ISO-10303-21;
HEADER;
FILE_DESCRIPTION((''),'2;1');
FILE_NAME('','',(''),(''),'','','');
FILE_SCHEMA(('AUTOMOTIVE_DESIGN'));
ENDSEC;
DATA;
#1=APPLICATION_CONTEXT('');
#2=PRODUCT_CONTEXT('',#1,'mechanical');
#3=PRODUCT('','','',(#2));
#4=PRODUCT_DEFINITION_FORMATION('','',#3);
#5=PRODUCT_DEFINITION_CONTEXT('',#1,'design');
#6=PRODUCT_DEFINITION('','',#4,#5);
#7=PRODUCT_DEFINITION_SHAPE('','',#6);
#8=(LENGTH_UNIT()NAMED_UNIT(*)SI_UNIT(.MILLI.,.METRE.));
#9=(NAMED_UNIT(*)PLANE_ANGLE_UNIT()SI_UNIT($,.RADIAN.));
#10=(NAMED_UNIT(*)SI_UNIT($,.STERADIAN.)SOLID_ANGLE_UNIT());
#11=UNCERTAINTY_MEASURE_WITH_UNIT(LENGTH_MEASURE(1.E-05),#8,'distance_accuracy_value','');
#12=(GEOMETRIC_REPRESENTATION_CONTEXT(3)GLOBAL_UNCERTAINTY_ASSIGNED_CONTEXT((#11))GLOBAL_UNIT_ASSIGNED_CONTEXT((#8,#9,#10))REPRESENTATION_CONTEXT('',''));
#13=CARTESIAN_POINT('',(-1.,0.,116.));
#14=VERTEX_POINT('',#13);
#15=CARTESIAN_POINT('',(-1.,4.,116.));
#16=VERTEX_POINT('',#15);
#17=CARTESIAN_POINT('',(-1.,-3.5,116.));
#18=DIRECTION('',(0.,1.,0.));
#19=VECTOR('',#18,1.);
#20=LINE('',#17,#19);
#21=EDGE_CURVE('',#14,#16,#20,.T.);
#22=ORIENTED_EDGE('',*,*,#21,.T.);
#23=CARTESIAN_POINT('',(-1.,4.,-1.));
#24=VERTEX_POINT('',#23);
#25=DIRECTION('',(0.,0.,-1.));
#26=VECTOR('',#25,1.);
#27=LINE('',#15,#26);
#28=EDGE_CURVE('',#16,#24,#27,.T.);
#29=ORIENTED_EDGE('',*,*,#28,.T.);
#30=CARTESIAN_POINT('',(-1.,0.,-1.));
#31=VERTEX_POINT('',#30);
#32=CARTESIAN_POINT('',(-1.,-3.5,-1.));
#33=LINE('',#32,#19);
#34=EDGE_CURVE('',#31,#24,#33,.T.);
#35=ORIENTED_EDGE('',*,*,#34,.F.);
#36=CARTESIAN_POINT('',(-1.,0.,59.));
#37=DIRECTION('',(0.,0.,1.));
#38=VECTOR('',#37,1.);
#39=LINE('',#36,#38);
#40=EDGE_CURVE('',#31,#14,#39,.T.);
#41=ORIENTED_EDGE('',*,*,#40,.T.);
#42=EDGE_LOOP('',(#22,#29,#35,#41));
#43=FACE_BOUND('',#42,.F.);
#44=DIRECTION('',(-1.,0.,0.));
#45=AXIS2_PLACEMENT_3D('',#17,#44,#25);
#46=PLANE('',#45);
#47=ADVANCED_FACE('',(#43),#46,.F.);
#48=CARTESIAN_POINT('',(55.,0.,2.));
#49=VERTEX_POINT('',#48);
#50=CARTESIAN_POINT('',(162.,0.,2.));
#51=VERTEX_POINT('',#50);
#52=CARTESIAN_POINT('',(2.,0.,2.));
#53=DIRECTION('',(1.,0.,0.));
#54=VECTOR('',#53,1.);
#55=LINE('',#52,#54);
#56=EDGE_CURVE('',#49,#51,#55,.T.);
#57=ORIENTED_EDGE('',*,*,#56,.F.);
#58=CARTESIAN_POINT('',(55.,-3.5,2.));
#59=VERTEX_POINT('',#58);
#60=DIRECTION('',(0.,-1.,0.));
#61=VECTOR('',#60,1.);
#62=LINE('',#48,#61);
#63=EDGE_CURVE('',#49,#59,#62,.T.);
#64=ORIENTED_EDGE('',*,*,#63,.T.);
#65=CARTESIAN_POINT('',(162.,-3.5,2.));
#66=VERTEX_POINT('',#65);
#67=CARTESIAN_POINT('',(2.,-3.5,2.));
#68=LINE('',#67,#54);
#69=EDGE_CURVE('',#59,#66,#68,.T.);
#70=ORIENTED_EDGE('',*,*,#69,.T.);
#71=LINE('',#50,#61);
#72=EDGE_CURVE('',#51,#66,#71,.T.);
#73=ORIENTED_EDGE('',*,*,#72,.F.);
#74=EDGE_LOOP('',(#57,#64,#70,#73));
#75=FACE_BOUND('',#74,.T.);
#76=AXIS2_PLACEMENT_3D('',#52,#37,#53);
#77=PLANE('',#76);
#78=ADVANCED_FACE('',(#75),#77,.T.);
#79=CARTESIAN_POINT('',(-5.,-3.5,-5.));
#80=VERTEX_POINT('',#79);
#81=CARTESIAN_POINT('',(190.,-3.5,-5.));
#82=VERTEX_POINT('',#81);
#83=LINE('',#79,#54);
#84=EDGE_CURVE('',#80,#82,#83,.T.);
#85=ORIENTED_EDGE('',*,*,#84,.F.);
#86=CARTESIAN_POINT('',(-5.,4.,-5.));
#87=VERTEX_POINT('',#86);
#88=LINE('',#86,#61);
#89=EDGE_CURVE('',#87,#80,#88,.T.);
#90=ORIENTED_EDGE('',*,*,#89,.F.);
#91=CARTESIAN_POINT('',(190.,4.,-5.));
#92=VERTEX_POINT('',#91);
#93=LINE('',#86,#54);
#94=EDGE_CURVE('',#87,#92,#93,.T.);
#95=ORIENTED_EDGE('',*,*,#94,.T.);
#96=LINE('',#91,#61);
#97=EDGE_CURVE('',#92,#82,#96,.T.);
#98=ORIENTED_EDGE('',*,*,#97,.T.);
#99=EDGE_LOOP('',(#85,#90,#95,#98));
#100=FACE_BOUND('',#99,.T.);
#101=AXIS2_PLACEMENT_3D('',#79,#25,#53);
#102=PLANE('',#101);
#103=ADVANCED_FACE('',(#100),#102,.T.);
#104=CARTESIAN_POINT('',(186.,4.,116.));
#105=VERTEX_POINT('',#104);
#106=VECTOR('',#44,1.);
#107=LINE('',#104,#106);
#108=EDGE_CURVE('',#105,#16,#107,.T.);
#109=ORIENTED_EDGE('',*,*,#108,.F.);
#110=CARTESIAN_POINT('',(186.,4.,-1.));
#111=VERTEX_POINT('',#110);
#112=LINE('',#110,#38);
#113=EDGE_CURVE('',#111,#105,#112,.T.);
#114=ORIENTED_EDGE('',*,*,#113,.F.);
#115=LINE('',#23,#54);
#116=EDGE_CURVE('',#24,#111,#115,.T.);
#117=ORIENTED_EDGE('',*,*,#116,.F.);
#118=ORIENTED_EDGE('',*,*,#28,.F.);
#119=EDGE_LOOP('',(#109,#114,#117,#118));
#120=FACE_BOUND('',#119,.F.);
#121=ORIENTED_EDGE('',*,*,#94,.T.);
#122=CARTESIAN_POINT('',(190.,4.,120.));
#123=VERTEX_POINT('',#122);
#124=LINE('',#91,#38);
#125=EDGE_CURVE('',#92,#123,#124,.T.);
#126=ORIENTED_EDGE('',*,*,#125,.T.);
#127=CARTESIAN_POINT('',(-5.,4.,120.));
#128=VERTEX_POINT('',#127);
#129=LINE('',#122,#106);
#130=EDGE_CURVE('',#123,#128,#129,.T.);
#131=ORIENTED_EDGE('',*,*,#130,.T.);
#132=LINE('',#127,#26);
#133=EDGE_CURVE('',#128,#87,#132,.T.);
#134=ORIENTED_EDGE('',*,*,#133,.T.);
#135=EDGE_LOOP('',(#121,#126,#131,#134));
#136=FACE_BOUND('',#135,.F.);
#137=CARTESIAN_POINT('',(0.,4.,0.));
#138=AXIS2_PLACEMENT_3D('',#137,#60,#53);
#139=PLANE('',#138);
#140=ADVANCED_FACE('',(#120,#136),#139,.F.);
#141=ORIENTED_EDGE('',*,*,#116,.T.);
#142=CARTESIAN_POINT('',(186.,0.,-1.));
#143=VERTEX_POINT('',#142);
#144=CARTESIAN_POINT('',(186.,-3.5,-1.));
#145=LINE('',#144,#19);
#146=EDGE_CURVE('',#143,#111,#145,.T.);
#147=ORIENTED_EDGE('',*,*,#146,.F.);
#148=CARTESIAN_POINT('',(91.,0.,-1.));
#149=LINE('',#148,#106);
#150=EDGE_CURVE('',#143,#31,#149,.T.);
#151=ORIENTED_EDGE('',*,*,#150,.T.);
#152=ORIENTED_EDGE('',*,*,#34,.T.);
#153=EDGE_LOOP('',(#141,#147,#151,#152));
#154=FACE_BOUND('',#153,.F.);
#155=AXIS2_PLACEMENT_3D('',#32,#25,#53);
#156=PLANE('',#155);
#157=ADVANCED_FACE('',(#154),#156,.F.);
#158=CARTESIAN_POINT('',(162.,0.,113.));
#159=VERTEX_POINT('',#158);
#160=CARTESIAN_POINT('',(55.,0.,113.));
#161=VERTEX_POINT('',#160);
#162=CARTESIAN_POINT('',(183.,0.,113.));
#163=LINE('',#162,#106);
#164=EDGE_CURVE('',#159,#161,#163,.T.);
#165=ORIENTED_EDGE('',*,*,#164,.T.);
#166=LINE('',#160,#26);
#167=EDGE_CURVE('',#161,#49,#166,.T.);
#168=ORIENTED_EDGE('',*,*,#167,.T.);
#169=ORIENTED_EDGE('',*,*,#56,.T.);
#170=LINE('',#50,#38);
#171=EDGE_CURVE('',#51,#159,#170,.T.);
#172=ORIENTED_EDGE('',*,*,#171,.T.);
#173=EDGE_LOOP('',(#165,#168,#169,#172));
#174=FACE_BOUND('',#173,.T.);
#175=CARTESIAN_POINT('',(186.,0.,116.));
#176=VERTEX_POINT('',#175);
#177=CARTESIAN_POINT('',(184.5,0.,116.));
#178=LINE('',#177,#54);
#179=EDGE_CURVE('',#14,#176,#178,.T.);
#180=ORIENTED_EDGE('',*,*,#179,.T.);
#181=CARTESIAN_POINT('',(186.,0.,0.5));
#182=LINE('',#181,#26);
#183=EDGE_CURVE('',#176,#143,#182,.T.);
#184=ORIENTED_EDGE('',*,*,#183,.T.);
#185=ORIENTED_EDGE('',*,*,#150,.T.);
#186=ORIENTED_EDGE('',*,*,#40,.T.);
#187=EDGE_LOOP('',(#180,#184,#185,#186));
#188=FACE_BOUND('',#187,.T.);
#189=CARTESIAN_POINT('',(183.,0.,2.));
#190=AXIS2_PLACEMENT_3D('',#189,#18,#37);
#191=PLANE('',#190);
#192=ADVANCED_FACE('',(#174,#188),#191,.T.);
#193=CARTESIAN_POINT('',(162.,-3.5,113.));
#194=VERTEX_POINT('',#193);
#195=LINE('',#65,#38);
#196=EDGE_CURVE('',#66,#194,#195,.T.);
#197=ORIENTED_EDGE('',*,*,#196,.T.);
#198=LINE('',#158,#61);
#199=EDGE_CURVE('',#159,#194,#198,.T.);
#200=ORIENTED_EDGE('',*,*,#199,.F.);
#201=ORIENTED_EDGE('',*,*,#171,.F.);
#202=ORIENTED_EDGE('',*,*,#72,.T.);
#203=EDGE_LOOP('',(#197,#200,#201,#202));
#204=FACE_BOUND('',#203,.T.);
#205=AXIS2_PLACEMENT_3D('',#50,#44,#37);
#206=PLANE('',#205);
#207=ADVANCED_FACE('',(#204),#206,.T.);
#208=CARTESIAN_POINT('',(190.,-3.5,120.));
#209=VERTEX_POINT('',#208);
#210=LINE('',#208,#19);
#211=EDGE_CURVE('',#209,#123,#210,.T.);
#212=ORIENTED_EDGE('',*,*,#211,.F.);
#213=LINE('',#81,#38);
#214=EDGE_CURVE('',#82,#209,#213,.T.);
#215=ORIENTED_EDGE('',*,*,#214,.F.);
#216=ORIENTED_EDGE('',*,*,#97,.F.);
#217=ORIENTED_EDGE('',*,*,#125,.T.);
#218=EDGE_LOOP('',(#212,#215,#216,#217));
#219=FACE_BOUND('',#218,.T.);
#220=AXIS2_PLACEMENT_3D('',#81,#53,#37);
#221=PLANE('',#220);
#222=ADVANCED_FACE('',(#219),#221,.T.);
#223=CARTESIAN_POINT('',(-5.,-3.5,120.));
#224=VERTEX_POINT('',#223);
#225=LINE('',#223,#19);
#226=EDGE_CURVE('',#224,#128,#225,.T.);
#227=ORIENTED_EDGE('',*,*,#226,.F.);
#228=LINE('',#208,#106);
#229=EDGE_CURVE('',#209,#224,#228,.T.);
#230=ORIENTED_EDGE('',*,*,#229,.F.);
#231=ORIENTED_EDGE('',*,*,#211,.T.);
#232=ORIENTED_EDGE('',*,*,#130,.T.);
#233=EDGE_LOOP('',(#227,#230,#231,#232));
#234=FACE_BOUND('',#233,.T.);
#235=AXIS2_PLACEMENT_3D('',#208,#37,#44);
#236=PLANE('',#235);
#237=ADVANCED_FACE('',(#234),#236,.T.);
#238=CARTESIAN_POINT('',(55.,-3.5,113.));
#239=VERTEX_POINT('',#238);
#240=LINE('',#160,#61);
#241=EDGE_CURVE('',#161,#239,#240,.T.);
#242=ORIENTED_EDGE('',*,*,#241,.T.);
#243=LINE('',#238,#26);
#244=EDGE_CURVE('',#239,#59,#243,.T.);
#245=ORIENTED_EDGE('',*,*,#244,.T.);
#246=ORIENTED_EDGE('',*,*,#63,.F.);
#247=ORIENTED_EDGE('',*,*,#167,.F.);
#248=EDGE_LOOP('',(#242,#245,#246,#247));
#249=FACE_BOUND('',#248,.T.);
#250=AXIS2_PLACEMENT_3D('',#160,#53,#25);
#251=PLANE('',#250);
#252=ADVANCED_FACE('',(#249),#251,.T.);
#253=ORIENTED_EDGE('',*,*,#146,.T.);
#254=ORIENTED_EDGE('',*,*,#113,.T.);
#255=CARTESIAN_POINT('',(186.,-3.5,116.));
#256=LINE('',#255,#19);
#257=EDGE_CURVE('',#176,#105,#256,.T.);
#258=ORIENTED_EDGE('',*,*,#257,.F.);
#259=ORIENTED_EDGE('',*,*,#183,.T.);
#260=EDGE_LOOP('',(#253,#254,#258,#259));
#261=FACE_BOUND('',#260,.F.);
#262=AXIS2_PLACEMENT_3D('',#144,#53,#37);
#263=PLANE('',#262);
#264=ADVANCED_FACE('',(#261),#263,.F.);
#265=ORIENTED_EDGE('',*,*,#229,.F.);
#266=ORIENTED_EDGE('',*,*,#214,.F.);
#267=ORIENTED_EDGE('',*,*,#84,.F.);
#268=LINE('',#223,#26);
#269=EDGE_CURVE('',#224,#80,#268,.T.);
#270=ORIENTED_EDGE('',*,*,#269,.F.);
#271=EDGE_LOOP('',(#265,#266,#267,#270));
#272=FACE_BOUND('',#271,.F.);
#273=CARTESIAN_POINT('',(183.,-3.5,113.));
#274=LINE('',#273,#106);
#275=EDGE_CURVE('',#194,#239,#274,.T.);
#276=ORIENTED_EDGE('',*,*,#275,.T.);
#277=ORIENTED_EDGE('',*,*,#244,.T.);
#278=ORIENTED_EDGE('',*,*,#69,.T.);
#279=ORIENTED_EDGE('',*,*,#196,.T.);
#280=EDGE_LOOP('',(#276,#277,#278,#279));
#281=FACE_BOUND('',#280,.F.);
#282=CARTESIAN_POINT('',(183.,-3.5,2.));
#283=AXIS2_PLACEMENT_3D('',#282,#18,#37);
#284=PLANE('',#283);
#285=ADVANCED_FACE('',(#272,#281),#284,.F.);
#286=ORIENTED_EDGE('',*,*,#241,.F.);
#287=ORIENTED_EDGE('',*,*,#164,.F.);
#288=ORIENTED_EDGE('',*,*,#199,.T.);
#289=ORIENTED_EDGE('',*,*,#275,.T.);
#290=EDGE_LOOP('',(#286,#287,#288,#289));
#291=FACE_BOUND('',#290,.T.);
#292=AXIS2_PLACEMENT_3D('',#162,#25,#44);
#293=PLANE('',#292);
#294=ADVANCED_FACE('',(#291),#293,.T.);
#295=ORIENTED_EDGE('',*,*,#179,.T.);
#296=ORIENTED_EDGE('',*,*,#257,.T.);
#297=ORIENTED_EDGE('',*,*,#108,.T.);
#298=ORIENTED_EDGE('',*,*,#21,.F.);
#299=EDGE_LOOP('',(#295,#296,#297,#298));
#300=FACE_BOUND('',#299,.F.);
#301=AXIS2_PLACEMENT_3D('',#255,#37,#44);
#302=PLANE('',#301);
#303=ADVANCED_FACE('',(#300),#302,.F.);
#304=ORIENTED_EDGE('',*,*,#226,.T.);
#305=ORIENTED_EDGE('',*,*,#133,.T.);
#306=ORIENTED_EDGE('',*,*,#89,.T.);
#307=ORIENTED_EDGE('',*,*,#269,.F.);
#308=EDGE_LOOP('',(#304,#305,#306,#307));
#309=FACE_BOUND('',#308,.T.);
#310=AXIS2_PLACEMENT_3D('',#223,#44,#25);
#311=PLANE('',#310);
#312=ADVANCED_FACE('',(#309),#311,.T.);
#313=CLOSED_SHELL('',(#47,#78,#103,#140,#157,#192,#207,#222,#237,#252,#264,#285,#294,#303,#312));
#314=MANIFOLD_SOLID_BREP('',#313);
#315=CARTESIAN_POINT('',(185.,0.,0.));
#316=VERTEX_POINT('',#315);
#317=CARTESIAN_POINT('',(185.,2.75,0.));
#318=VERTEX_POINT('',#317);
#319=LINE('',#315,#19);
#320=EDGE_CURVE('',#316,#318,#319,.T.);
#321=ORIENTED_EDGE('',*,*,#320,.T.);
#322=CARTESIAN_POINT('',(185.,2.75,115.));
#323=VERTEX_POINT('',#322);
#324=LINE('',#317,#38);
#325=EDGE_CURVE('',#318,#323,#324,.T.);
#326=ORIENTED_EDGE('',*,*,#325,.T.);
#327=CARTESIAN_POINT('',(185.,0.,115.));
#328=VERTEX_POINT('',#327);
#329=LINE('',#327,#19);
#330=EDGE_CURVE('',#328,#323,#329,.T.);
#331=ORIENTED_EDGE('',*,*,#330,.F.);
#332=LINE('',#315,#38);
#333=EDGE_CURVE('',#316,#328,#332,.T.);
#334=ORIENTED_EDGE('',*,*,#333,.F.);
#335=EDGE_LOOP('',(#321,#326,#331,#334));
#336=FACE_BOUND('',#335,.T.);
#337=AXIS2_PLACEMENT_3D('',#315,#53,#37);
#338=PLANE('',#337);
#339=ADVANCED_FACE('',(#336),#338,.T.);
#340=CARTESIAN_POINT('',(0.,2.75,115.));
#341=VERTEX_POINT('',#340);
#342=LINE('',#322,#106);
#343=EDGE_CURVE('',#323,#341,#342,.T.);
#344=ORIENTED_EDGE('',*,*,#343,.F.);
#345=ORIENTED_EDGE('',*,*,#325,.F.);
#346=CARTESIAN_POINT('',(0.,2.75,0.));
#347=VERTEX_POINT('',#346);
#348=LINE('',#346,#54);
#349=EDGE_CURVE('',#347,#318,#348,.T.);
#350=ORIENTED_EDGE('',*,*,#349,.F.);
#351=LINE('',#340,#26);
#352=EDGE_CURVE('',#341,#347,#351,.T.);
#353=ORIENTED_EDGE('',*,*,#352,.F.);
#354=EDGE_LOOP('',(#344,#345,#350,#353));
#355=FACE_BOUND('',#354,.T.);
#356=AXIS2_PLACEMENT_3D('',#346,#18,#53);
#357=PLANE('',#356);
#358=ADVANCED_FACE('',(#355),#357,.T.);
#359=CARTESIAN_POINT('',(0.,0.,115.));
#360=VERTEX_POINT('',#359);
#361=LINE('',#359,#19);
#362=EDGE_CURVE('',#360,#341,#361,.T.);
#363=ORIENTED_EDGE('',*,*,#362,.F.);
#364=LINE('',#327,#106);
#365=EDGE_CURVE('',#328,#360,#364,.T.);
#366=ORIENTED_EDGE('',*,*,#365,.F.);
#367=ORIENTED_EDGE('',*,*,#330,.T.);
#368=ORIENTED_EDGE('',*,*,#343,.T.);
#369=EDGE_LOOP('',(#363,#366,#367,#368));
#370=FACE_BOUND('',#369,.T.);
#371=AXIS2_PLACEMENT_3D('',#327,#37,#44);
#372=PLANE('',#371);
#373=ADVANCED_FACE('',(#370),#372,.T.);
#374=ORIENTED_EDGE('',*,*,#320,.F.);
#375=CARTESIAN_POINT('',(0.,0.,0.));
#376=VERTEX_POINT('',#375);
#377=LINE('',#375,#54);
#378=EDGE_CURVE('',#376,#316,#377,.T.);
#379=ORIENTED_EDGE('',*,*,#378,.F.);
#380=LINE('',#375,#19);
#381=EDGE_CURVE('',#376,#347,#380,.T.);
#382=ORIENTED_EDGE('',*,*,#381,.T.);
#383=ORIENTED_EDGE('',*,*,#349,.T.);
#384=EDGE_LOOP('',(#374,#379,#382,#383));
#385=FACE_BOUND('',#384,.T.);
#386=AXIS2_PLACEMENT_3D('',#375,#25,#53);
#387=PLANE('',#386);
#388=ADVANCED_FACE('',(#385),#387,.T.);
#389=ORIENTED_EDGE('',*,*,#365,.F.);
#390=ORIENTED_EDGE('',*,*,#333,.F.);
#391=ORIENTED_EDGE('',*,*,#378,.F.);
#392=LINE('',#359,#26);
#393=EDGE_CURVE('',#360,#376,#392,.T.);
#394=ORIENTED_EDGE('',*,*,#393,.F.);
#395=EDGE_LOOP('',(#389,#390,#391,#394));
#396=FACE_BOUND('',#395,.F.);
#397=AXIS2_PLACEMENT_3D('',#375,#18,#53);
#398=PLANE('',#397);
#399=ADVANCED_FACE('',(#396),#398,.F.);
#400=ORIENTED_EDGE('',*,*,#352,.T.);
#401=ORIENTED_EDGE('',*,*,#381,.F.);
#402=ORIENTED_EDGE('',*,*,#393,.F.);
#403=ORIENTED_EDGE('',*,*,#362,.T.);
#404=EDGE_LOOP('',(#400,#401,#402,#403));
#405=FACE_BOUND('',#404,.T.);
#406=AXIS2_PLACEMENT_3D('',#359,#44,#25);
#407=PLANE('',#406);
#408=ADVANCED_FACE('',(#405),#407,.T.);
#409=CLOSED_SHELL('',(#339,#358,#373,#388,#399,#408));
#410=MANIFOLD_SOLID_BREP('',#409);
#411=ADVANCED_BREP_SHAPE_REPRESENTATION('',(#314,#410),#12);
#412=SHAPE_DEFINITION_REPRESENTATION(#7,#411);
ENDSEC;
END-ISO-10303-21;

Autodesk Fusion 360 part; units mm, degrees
sketch "bk" plane through (0, 0, 0) normal (0, 1, 0) x (1, 0, 0)
  line L0 (0, 0) -> (185, 0)
  line L1 (185, 0) -> (185, -115)
  line L2 (185, -115) -> (0, -115)
  line L3 (0, -115) -> (0, 0)
  line L4 (183, -113) -> (2, -113)
  line L5 (2, -113) -> (2, -2)
  line L6 (2, -2) -> (183, -2)
  line L7 (183, -2) -> (183, -113)
  dimension "d1" = 185
  dimension "d2" = 115
  dimension "d3" = 2
extrude "Extrude1" add sketch "bk" along normal blind 2.75 contours L0 L1 L2 L3 | L4 L5 L6 L7 makes body 1
extrude "Extrude1'" add sketch "bk" against normal blind 3.5 separate body makes body 2 in component "Component"
sketch "Sketch1" plane through (0, 2.75, 0) normal (0, 1, 0) x (-1, 0, 0) in component "Component"
  line L0 (0, 115) -> (-185, 115)
  line L1 (-185, 115) -> (-185, 0)
  line L2 (-185, 0) -> (0, 0)
  line L3 (0, 0) -> (0, 115)
  line L4 (3.7132, 61.0694) -> (3.7132, 47.7442) construction
  line L5 (3.7132, 47.7442) -> (13.7132, 47.7442) construction
  line L6 (13.7132, 47.7442) -> (13.7132, 61.0694) construction
  line L7 (13.7132, 61.0694) -> (3.7132, 61.0694) construction
extrude "Extrude2" add 1 faces at (2, -1.1667, 76) along direction (1, 0, 0) blind 53 on bodies 2 bodies 2 in component "Component"
extrude "Extrude3" add 1 faces at (183, -1.1667, 39) along direction (-1, 0, 0) blind 21 on bodies 2 bodies 2 in component "Component"
sketch "Sketch2" plane through (0, -3.5, 0) normal (0, -1, 0) x (1, 0, 0) in component "Component"
  line L0 (162, 2) -> (55, 2)
  line L1 (55, 2) -> (55, 113)
  line L2 (55, 113) -> (162, 113)
  line L3 (162, 113) -> (162, 2)
  line L4 (185, 115) -> (0, 115)
  line L5 (0, 115) -> (0, 0)
  line L6 (0, 0) -> (185, 0)
  line L7 (185, 0) -> (185, 115)
  line L8 (-5, -5) -> (190, -5)
  line L9 (190, -5) -> (190, 120)
  line L10 (190, 120) -> (-5, 120)
  line L11 (-5, 120) -> (-5, -5)
  line L12 (-1, -1) -> (186, -1)
  line L13 (186, -1) -> (186, 116)
  line L14 (186, 116) -> (-1, 116)
  line L15 (-1, 116) -> (-1, -1)
  dimension "d12" = 5
  dimension "d13" = 1
extrude "Extrude4" add sketch "Sketch2" against normal blind 3.5 contours L8 L9 L10 L11 | L12 L13 L14 L15 bodies 2 in component "Component"
extrude "Extrude5" add sketch "Sketch2" against normal blind 7.5 contours L8 L9 L10 L11 bodies 2 in component "Component"
sketch "Sketch3" plane through (0, 0, 0) normal (0, 1, 0) x (1, 0, 0) in component "Component"
component "Component" placed x (1, 0, 0) y (0, 1, 0) z (0, 0, 1) at (0, 0, 0)
equation "d16 = -4.5 mm - 3 mm"
